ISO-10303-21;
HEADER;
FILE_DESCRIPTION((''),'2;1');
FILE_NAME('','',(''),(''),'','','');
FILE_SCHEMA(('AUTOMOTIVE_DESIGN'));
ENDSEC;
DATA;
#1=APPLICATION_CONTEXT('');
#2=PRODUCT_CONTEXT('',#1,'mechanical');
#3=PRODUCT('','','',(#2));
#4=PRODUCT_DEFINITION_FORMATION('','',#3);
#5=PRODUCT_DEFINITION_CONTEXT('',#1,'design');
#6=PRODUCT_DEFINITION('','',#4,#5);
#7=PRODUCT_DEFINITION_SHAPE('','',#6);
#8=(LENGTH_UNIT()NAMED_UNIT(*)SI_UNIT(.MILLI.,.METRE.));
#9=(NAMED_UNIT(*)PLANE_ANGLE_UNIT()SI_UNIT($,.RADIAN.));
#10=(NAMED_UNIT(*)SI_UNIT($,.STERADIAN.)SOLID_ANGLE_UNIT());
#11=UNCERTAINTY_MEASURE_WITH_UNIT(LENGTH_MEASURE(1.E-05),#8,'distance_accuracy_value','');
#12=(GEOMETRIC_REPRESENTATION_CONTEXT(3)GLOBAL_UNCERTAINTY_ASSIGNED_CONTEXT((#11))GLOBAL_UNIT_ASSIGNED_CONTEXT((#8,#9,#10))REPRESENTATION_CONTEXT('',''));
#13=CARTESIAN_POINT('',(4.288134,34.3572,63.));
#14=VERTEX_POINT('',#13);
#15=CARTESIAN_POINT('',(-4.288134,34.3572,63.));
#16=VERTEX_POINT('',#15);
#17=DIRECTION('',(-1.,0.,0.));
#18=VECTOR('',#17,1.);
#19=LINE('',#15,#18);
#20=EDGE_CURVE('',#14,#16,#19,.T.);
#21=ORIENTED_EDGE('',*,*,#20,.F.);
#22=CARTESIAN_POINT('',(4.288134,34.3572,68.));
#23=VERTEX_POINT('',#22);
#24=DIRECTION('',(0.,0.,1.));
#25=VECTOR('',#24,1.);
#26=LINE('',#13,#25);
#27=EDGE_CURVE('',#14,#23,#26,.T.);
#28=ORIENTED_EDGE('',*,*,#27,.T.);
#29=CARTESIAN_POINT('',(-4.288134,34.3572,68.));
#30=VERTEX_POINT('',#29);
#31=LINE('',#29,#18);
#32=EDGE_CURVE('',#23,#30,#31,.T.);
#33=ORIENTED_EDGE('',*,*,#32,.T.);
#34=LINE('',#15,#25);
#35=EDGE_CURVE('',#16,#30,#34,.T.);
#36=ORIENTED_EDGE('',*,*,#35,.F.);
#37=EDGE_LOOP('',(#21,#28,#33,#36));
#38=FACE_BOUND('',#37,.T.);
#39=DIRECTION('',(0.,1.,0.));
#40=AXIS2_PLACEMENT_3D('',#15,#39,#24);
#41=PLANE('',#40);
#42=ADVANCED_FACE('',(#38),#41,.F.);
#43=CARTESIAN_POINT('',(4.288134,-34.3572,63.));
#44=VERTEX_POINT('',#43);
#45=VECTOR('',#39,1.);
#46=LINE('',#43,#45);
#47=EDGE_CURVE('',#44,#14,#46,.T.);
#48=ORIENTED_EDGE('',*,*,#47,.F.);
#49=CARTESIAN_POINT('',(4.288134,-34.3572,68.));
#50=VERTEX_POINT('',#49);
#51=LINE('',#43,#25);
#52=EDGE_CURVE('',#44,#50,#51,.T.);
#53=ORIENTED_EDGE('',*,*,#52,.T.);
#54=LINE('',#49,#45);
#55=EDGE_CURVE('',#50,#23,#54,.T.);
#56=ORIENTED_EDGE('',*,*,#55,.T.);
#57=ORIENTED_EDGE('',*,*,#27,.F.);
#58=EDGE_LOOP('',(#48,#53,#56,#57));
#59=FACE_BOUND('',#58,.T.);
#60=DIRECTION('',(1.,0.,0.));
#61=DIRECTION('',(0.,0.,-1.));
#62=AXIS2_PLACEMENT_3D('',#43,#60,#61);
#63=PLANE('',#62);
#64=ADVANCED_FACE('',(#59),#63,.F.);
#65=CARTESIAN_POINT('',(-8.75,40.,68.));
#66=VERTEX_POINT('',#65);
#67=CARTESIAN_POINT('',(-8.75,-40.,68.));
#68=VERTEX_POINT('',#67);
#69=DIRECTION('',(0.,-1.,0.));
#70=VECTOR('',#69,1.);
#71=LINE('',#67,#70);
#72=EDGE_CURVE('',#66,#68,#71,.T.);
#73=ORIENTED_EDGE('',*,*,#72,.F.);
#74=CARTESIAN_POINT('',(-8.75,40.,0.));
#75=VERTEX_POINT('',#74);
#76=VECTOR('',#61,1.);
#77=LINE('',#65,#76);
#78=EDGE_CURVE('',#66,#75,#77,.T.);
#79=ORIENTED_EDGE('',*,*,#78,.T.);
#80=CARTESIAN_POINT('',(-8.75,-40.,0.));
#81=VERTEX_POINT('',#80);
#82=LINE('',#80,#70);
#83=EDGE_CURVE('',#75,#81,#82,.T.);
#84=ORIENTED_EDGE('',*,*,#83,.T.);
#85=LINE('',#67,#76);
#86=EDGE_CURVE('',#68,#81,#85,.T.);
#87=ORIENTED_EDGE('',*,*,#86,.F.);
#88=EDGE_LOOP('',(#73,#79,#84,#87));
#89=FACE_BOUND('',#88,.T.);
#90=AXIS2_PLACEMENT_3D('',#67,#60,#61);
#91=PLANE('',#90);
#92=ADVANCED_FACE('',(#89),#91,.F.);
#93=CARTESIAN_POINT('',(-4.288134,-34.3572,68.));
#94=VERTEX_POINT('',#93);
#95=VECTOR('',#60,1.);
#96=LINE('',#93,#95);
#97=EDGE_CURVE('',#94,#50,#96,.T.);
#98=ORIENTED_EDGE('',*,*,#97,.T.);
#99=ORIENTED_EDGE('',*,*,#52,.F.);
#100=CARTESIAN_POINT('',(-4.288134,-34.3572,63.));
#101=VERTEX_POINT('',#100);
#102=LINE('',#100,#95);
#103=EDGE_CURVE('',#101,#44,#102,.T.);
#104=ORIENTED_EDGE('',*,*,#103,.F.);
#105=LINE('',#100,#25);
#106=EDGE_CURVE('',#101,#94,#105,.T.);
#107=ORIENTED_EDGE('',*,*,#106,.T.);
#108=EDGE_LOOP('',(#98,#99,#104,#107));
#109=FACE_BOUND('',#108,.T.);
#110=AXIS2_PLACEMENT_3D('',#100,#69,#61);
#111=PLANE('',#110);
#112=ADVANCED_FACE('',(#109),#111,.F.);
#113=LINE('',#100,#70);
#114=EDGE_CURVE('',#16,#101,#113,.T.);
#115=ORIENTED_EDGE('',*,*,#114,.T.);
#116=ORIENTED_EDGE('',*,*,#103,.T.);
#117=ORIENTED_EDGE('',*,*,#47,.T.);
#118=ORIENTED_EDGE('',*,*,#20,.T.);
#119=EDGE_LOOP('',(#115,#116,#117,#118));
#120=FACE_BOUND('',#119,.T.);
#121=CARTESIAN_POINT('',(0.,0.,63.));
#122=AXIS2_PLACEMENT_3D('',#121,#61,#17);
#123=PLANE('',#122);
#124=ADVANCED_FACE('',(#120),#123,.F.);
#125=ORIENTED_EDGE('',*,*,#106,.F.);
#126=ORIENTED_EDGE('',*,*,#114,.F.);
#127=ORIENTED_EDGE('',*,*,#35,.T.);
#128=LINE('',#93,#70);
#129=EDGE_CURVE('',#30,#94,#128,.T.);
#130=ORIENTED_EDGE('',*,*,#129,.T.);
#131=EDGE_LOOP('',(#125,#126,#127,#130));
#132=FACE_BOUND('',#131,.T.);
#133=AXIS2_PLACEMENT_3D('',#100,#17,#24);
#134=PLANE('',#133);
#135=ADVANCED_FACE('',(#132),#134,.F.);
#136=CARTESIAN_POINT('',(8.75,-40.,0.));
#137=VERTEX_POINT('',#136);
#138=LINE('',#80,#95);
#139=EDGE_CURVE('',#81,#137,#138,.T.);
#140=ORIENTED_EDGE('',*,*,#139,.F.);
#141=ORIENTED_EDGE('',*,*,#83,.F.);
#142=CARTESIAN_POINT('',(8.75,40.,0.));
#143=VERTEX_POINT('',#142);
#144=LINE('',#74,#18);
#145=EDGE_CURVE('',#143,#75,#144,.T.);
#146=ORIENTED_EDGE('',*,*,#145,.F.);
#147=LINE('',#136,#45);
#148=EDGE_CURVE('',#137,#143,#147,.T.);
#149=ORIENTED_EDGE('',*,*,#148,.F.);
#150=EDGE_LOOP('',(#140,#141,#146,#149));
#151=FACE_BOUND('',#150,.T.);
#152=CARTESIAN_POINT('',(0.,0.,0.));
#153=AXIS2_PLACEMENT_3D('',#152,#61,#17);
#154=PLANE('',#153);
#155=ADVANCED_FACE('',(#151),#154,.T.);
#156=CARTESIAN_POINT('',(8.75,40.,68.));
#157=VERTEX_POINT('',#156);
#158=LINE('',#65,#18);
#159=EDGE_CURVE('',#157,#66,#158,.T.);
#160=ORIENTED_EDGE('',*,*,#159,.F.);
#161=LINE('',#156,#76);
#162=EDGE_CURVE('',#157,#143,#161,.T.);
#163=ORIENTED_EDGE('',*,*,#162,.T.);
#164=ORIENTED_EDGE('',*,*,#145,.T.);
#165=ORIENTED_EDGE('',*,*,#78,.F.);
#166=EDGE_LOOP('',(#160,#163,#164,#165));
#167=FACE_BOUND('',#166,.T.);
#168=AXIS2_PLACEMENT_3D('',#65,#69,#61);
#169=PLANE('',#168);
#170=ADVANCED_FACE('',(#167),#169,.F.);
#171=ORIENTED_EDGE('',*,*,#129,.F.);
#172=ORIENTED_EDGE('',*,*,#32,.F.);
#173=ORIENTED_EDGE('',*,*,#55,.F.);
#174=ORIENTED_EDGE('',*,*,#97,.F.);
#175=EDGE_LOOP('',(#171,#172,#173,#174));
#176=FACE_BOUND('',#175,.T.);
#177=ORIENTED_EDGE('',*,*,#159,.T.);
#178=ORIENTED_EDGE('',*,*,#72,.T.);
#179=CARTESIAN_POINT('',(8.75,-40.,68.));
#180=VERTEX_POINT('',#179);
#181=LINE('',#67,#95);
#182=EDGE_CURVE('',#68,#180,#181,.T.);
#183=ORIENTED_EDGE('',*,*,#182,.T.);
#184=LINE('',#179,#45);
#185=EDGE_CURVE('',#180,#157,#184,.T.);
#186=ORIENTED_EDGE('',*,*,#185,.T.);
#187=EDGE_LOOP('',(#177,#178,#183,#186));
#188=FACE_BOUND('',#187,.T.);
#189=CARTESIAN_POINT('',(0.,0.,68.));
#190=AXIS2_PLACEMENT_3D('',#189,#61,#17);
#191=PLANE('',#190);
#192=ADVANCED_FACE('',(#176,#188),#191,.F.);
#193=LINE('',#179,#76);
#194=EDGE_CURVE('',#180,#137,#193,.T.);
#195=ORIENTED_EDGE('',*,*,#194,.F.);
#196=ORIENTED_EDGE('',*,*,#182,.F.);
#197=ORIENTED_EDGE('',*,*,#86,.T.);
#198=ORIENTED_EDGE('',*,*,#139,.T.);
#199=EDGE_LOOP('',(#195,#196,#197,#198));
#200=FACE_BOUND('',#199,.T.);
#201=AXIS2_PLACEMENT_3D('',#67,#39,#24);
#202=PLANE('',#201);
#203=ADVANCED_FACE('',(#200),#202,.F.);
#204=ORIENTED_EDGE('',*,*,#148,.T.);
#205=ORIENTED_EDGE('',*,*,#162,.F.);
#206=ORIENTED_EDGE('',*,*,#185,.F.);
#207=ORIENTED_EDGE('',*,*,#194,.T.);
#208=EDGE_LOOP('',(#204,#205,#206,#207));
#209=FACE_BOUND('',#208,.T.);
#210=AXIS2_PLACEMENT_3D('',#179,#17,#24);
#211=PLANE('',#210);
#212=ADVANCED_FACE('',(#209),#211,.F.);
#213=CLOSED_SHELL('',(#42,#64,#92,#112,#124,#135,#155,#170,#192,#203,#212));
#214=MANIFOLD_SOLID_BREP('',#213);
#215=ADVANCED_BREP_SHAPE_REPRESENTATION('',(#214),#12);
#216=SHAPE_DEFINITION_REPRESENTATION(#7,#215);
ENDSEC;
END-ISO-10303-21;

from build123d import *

# Parameters (mm, degrees)
SKETCH1_W           = 17.5
SKETCH1_H           = 80
BOSS_EXTRUDE1_DEPTH = 68
SKETCH2_W           = 8.576267668
SKETCH2_H           = 68.714399462
CUT_EXTRUDE1_DEPTH  = 5


with BuildPart() as part:
    # Sketch1 → Boss-Extrude1 (new body)
    with BuildSketch(Plane.XY):
        Rectangle(SKETCH1_W, SKETCH1_H)
    extrude(amount=BOSS_EXTRUDE1_DEPTH)

    # Sketch2 → Cut-Extrude1 (cut)
    with BuildSketch(Plane.XY.offset(68)):
        Rectangle(SKETCH2_W, SKETCH2_H)
    extrude(amount=-CUT_EXTRUDE1_DEPTH, mode=Mode.SUBTRACT)


solid = part.part
